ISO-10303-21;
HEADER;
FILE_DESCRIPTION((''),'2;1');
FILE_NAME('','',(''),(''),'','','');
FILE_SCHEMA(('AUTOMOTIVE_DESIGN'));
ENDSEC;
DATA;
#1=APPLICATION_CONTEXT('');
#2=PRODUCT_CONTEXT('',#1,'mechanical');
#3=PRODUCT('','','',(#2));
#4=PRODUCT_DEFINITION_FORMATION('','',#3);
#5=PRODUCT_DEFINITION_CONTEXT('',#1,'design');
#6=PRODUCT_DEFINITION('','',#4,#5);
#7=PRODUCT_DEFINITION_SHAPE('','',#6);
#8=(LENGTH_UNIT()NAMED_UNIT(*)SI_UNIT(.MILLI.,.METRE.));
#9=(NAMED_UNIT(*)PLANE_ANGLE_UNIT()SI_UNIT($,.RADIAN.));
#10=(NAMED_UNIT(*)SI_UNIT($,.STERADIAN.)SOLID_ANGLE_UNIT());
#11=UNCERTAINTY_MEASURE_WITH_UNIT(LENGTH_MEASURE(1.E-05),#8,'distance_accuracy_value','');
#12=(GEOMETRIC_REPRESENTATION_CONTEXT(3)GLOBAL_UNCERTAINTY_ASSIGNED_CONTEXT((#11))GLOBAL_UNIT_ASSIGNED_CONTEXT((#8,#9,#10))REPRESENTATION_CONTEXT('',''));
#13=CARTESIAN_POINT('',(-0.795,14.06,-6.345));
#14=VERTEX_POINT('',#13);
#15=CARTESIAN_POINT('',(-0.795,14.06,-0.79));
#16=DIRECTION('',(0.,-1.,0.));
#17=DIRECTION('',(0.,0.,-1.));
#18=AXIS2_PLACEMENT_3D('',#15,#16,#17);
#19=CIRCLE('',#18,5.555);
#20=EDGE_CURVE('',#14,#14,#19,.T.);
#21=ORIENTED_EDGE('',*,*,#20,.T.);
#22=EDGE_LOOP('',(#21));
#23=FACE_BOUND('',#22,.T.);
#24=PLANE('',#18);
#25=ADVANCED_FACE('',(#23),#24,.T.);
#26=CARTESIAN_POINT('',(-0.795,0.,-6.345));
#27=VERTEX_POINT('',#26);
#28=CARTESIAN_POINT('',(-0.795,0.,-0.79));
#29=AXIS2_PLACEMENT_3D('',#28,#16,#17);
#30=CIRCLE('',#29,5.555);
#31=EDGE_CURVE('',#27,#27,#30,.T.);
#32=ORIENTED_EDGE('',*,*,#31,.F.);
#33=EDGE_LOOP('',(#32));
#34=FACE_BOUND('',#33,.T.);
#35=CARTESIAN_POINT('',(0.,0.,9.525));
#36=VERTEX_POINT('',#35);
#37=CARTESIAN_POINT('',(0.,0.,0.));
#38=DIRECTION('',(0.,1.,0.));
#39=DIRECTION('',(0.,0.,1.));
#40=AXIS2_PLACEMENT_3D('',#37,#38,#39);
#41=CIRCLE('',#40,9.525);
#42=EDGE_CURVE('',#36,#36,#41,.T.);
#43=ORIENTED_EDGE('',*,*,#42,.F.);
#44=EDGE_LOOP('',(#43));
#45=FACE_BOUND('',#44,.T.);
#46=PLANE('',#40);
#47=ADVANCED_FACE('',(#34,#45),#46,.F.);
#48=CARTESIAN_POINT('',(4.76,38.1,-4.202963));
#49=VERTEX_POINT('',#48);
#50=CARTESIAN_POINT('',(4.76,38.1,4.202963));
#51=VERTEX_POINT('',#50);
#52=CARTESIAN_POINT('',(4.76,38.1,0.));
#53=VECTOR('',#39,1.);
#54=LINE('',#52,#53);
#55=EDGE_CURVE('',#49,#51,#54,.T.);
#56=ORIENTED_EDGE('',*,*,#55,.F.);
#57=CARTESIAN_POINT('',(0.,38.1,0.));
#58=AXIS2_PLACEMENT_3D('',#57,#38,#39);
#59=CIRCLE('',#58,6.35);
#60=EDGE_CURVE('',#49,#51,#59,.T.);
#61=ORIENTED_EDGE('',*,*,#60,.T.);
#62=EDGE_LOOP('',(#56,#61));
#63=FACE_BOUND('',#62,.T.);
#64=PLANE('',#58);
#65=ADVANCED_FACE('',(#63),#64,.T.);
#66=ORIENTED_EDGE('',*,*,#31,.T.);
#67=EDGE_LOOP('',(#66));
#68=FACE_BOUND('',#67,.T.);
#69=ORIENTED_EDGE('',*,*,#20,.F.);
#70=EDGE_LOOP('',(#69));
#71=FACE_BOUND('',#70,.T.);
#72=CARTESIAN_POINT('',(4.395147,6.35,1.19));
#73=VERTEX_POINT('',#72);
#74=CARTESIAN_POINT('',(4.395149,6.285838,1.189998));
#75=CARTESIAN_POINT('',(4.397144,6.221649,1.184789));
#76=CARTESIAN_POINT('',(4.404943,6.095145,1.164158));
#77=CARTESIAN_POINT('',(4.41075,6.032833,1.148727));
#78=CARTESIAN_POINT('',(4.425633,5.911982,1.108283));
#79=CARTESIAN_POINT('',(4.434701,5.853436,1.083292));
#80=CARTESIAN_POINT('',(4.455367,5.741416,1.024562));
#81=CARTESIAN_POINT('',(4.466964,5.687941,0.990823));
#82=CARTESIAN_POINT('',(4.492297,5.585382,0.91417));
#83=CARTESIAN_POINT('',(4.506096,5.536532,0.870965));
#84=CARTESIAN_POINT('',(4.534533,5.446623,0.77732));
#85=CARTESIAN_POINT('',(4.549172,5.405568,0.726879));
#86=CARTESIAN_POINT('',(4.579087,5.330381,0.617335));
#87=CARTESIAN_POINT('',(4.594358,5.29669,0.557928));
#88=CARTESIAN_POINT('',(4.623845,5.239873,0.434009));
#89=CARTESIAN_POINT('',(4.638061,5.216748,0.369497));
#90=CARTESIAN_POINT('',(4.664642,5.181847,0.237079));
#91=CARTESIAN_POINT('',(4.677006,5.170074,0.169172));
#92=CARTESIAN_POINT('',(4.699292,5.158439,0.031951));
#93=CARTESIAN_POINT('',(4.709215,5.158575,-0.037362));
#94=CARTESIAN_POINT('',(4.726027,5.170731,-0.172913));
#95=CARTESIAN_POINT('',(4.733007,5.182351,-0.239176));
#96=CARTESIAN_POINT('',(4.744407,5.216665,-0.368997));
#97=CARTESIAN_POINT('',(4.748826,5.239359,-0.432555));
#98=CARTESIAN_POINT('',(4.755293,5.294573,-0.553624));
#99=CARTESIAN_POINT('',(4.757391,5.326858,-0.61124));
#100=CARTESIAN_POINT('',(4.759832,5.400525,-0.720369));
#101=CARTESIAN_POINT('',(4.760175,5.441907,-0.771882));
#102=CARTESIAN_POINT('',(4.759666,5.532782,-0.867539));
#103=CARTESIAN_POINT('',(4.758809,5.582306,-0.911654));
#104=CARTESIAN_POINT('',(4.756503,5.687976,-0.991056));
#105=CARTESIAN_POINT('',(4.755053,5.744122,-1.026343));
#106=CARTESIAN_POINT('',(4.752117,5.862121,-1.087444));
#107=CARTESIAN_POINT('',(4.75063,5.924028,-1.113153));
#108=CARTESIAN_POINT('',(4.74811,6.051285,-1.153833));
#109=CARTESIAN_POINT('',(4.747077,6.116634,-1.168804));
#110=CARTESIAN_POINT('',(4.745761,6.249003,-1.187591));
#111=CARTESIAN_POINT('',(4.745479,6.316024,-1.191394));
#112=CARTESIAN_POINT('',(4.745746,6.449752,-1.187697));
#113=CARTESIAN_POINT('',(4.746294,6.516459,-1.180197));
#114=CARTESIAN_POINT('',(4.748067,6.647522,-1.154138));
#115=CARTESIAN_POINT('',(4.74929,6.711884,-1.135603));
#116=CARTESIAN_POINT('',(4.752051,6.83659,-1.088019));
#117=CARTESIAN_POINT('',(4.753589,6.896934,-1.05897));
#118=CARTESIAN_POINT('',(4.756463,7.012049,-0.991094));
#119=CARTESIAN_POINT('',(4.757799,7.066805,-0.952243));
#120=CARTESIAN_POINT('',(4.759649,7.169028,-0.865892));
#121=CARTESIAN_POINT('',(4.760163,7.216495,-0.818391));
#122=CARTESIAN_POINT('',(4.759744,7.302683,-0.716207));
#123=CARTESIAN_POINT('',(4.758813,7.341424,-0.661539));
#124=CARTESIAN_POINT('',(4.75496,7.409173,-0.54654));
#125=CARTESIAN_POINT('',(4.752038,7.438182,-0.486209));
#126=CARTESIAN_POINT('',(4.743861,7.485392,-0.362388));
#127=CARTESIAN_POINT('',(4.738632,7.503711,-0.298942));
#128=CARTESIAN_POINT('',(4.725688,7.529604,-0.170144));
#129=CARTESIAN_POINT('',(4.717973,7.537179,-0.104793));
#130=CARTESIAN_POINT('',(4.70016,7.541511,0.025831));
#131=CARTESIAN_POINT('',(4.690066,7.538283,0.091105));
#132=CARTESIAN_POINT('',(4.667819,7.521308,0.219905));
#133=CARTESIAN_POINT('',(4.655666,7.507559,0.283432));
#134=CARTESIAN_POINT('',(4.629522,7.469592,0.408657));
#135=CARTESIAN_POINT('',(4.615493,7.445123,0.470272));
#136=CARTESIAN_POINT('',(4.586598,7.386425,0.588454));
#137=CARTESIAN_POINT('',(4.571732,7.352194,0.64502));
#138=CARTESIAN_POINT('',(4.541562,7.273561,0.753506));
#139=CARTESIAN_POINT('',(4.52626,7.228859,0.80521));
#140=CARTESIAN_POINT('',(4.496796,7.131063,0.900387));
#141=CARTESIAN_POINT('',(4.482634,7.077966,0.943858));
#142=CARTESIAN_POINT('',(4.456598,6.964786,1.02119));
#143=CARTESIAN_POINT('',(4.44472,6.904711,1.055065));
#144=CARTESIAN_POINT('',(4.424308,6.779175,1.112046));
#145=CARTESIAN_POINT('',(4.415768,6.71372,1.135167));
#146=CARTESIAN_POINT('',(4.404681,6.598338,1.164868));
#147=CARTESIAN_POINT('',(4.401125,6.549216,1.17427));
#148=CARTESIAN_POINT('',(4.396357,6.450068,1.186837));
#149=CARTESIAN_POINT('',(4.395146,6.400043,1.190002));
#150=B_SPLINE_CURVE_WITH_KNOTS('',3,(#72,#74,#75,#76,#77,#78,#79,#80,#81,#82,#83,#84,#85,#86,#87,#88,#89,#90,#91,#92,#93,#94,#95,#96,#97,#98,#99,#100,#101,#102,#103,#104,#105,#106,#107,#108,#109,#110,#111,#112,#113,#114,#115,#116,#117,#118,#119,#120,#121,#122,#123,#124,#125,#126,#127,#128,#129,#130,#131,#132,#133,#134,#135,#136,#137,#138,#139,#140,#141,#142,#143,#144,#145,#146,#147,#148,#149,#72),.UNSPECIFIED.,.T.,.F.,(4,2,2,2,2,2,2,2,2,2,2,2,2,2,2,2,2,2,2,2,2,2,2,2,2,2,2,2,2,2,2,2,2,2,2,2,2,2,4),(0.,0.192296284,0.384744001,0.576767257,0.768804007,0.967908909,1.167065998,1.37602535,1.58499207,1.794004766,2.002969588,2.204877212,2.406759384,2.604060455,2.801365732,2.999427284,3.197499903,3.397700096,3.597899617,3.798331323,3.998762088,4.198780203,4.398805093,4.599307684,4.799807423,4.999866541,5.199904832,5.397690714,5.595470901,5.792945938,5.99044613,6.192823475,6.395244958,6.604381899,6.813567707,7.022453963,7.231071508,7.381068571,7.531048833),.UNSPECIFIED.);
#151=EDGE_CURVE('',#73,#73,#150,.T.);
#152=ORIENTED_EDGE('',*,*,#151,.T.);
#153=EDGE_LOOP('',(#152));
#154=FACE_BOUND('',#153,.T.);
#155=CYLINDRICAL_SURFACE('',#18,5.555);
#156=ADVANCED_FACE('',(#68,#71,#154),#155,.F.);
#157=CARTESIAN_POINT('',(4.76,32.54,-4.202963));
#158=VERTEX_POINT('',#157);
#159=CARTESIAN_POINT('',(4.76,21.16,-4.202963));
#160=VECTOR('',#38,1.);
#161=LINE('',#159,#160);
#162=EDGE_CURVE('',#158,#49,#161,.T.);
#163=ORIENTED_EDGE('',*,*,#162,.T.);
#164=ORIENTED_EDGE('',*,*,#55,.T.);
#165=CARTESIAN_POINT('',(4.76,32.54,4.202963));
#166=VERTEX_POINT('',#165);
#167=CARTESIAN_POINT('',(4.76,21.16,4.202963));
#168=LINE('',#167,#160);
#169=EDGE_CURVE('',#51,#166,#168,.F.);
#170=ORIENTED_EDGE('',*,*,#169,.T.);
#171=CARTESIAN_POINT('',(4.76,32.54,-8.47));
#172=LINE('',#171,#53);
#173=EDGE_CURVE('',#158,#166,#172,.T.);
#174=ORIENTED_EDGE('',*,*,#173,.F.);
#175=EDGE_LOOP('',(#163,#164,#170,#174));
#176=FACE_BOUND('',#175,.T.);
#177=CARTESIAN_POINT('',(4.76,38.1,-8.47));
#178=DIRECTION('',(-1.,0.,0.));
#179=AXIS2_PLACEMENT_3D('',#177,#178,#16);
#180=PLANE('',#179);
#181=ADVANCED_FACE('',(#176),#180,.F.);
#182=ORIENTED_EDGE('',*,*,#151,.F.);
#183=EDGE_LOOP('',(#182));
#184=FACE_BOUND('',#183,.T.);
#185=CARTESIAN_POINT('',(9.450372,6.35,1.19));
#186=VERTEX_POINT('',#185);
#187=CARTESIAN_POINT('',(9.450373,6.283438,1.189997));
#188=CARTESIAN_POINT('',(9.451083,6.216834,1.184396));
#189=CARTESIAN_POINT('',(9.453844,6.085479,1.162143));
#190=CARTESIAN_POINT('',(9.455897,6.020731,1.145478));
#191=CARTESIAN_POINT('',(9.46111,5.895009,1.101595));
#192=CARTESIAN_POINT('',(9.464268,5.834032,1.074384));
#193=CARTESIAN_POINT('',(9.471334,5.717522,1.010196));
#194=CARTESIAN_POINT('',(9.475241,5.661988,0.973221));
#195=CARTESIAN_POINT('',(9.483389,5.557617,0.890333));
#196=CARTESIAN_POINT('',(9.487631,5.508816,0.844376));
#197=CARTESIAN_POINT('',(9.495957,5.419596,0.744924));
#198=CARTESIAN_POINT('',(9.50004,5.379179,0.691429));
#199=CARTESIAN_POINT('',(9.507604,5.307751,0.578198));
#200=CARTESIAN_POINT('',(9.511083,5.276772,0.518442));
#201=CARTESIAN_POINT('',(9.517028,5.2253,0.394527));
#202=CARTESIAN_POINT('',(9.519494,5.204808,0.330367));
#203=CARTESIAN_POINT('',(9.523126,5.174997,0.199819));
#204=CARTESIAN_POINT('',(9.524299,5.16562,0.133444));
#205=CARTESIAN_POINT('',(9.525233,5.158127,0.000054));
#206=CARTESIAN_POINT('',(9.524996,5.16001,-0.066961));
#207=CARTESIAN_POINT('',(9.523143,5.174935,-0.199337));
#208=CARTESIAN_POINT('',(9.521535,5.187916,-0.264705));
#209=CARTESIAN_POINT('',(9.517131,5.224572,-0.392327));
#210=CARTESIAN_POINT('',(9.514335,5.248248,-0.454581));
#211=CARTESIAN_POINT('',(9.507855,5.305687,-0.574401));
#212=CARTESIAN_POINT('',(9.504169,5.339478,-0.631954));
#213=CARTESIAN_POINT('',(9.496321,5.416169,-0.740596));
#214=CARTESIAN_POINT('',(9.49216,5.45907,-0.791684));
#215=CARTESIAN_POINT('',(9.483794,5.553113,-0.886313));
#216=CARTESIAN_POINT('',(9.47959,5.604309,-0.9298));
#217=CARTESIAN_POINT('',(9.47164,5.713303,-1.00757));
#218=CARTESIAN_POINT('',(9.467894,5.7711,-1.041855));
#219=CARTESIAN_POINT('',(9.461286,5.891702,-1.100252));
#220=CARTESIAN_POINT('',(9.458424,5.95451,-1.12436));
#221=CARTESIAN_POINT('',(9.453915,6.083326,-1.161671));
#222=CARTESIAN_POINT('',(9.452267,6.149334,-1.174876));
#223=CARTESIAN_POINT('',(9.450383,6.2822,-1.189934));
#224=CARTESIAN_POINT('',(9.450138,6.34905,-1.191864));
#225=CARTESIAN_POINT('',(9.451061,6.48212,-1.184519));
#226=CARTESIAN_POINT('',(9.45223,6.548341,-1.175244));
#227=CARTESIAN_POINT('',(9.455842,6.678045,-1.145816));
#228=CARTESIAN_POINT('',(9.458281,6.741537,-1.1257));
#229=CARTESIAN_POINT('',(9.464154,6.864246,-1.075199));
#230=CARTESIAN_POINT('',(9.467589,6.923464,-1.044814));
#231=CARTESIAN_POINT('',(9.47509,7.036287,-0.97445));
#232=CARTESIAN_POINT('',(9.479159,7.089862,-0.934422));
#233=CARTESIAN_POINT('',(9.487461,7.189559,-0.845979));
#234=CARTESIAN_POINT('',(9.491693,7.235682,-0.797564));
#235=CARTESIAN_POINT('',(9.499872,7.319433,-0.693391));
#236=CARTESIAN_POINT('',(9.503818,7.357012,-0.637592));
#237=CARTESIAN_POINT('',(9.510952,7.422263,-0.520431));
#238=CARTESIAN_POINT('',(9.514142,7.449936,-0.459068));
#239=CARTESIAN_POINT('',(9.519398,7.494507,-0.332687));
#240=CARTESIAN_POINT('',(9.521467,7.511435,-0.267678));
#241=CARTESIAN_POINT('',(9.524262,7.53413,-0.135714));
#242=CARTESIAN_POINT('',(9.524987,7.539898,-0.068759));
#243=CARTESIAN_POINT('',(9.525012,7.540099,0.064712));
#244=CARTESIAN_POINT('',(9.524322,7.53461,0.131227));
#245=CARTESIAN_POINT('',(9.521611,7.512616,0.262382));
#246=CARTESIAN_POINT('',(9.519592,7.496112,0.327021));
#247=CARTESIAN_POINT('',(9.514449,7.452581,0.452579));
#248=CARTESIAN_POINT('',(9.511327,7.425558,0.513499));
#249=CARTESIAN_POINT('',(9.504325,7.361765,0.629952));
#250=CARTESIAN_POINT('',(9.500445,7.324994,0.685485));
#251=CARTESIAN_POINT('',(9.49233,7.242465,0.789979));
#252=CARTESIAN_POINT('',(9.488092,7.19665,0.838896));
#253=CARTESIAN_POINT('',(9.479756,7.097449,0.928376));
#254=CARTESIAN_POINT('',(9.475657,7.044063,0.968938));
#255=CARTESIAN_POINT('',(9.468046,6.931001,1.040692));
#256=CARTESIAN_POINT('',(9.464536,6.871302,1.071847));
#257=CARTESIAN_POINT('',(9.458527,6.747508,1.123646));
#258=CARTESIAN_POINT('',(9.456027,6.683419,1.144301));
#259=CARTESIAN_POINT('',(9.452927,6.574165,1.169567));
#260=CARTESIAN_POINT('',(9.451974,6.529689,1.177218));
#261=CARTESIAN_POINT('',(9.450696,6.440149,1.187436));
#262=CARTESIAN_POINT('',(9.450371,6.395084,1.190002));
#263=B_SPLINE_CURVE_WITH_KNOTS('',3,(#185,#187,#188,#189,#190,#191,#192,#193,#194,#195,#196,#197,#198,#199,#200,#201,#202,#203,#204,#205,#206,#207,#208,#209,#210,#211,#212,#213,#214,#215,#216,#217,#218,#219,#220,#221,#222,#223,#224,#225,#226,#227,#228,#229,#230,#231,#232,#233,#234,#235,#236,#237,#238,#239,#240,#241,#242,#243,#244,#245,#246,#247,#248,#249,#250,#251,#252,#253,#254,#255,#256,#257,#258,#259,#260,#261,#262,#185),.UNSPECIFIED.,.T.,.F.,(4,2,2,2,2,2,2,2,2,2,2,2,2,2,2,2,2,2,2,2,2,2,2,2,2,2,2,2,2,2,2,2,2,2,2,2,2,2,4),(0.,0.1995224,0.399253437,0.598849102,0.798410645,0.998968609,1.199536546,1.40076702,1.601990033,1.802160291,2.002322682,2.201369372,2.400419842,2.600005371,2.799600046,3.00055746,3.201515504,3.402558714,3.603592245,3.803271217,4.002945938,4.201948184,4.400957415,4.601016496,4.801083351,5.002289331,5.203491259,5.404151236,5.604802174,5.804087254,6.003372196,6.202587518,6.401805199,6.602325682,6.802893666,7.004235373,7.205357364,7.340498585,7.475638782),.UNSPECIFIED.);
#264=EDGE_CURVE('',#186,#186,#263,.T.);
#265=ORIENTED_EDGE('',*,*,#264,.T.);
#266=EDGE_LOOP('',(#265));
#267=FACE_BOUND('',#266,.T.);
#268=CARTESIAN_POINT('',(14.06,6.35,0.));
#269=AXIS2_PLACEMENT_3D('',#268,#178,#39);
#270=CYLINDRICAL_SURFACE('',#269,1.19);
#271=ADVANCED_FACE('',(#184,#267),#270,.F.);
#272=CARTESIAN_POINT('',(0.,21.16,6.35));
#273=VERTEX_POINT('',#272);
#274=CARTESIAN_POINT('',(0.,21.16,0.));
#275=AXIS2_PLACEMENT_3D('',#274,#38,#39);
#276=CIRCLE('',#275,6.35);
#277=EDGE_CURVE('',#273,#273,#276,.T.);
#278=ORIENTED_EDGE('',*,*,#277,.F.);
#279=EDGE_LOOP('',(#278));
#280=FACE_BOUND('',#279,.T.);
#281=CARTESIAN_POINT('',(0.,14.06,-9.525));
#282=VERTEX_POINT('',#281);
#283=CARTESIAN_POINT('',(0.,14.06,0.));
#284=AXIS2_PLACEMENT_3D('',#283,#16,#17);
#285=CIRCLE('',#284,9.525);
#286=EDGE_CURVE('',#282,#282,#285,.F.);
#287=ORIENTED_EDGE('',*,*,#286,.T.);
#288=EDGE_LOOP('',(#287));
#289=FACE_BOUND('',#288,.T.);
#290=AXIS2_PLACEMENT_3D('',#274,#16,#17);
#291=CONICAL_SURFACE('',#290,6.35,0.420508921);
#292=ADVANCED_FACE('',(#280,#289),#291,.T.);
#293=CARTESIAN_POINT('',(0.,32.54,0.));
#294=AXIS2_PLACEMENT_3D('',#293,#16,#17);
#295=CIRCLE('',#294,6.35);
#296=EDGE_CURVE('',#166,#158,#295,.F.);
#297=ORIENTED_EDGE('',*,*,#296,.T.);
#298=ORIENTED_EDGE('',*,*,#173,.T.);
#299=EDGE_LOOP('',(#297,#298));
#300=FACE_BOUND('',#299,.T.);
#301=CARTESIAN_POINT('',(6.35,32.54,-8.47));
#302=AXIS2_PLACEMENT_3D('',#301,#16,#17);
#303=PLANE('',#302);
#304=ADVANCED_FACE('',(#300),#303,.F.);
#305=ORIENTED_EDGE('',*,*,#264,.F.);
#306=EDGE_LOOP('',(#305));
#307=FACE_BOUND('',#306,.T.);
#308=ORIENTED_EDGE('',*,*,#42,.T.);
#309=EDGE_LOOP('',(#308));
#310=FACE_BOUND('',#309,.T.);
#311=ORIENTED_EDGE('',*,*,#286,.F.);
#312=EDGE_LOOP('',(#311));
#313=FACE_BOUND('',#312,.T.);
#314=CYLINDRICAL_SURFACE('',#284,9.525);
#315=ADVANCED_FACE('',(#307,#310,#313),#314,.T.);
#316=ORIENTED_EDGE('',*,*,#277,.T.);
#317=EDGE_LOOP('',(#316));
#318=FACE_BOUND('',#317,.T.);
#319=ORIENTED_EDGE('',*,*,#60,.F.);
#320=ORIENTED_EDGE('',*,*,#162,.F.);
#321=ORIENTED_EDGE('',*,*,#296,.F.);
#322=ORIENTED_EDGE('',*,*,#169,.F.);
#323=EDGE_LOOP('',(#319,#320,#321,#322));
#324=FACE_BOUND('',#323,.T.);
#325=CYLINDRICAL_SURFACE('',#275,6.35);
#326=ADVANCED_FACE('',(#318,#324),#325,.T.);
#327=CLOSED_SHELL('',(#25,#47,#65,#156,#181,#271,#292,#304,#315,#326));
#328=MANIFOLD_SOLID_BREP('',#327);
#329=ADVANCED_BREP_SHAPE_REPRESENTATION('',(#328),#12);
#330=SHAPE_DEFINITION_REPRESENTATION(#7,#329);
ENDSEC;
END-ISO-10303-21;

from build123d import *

# Parameters (mm, degrees)
SKETCH1_R           = 9.525
BOSS_EXTRUDE1_DEPTH = 14.06
SKETCH2_R           = 6.35
BOSS_EXTRUDE2_DEPTH = 16.94
SKETCH3_W           = 1.59
SKETCH3_H           = 5.56
CUT_EXTRUDE1_DEPTH  = 8.47
SKETCH5_R           = 1.19
CUT_EXTRUDE3_DEPTH  = 14.06
SKETCH4_R           = 5.555
CUT_EXTRUDE4_DEPTH  = 14.06


with BuildPart() as part:
    # Sketch1 → Boss-Extrude1 (new body)
    with BuildSketch(Plane(origin=(0, 0, 0), x_dir=(1, 0, 0), z_dir=(0, 1, 0))):
        with Locations(Location((0, 0, 0), (0, 0, 270))):
            Circle(SKETCH1_R)
    extrude(amount=BOSS_EXTRUDE1_DEPTH)



with BuildPart() as body_2:
    # Sketch2 → Boss-Extrude2 (new body)
    with BuildSketch(Plane(origin=(0, 38.1, 0), x_dir=(1, 0, 0), z_dir=(0, 1, 0))):
        with Locations(Location((0, 0, 0), (0, 0, 270))):
            Circle(SKETCH2_R)
    extrude(amount=-BOSS_EXTRUDE2_DEPTH)


with BuildPart() as part_1:
    add(part.part)

    add(body_2.part)  # loft1 joins it to this body
    # loft up to a face of the part (loft1)
    loft([Face(Wire([part_1.edges().sort_by_distance((6.943426176, 14.06, -6.520311184))[0]])), Face(Wire([part_1.edges().sort_by_distance((-4.628950784, 21.16, -4.346874123))[0]]))])

    # Sketch3 → Cut-Extrude1 (cut, symmetric)
    with BuildSketch(Plane.XY):
        with Locations((5.555, 35.32)):
            Rectangle(SKETCH3_W, SKETCH3_H)
    extrude(amount=CUT_EXTRUDE1_DEPTH, both=True, mode=Mode.SUBTRACT)

    # Sketch5 → Cut-Extrude3 (cut)
    with BuildSketch(Plane(origin=(0, 0, 0), x_dir=(0, 0, -1), z_dir=(1, 0, 0))):
        with Locations(Location((0, 6.35, 0), (0, 0, 180))):
            Circle(SKETCH5_R)
    extrude(amount=CUT_EXTRUDE3_DEPTH, mode=Mode.SUBTRACT)

    # Sketch4 → Cut-Extrude4 (cut)
    with BuildSketch(Plane.XZ):
        with Locations(Location((-0.795, -0.79, 0), (0, 0, 270))):
            Circle(SKETCH4_R)
    extrude(amount=-CUT_EXTRUDE4_DEPTH, mode=Mode.SUBTRACT)


solid = part_1.part
